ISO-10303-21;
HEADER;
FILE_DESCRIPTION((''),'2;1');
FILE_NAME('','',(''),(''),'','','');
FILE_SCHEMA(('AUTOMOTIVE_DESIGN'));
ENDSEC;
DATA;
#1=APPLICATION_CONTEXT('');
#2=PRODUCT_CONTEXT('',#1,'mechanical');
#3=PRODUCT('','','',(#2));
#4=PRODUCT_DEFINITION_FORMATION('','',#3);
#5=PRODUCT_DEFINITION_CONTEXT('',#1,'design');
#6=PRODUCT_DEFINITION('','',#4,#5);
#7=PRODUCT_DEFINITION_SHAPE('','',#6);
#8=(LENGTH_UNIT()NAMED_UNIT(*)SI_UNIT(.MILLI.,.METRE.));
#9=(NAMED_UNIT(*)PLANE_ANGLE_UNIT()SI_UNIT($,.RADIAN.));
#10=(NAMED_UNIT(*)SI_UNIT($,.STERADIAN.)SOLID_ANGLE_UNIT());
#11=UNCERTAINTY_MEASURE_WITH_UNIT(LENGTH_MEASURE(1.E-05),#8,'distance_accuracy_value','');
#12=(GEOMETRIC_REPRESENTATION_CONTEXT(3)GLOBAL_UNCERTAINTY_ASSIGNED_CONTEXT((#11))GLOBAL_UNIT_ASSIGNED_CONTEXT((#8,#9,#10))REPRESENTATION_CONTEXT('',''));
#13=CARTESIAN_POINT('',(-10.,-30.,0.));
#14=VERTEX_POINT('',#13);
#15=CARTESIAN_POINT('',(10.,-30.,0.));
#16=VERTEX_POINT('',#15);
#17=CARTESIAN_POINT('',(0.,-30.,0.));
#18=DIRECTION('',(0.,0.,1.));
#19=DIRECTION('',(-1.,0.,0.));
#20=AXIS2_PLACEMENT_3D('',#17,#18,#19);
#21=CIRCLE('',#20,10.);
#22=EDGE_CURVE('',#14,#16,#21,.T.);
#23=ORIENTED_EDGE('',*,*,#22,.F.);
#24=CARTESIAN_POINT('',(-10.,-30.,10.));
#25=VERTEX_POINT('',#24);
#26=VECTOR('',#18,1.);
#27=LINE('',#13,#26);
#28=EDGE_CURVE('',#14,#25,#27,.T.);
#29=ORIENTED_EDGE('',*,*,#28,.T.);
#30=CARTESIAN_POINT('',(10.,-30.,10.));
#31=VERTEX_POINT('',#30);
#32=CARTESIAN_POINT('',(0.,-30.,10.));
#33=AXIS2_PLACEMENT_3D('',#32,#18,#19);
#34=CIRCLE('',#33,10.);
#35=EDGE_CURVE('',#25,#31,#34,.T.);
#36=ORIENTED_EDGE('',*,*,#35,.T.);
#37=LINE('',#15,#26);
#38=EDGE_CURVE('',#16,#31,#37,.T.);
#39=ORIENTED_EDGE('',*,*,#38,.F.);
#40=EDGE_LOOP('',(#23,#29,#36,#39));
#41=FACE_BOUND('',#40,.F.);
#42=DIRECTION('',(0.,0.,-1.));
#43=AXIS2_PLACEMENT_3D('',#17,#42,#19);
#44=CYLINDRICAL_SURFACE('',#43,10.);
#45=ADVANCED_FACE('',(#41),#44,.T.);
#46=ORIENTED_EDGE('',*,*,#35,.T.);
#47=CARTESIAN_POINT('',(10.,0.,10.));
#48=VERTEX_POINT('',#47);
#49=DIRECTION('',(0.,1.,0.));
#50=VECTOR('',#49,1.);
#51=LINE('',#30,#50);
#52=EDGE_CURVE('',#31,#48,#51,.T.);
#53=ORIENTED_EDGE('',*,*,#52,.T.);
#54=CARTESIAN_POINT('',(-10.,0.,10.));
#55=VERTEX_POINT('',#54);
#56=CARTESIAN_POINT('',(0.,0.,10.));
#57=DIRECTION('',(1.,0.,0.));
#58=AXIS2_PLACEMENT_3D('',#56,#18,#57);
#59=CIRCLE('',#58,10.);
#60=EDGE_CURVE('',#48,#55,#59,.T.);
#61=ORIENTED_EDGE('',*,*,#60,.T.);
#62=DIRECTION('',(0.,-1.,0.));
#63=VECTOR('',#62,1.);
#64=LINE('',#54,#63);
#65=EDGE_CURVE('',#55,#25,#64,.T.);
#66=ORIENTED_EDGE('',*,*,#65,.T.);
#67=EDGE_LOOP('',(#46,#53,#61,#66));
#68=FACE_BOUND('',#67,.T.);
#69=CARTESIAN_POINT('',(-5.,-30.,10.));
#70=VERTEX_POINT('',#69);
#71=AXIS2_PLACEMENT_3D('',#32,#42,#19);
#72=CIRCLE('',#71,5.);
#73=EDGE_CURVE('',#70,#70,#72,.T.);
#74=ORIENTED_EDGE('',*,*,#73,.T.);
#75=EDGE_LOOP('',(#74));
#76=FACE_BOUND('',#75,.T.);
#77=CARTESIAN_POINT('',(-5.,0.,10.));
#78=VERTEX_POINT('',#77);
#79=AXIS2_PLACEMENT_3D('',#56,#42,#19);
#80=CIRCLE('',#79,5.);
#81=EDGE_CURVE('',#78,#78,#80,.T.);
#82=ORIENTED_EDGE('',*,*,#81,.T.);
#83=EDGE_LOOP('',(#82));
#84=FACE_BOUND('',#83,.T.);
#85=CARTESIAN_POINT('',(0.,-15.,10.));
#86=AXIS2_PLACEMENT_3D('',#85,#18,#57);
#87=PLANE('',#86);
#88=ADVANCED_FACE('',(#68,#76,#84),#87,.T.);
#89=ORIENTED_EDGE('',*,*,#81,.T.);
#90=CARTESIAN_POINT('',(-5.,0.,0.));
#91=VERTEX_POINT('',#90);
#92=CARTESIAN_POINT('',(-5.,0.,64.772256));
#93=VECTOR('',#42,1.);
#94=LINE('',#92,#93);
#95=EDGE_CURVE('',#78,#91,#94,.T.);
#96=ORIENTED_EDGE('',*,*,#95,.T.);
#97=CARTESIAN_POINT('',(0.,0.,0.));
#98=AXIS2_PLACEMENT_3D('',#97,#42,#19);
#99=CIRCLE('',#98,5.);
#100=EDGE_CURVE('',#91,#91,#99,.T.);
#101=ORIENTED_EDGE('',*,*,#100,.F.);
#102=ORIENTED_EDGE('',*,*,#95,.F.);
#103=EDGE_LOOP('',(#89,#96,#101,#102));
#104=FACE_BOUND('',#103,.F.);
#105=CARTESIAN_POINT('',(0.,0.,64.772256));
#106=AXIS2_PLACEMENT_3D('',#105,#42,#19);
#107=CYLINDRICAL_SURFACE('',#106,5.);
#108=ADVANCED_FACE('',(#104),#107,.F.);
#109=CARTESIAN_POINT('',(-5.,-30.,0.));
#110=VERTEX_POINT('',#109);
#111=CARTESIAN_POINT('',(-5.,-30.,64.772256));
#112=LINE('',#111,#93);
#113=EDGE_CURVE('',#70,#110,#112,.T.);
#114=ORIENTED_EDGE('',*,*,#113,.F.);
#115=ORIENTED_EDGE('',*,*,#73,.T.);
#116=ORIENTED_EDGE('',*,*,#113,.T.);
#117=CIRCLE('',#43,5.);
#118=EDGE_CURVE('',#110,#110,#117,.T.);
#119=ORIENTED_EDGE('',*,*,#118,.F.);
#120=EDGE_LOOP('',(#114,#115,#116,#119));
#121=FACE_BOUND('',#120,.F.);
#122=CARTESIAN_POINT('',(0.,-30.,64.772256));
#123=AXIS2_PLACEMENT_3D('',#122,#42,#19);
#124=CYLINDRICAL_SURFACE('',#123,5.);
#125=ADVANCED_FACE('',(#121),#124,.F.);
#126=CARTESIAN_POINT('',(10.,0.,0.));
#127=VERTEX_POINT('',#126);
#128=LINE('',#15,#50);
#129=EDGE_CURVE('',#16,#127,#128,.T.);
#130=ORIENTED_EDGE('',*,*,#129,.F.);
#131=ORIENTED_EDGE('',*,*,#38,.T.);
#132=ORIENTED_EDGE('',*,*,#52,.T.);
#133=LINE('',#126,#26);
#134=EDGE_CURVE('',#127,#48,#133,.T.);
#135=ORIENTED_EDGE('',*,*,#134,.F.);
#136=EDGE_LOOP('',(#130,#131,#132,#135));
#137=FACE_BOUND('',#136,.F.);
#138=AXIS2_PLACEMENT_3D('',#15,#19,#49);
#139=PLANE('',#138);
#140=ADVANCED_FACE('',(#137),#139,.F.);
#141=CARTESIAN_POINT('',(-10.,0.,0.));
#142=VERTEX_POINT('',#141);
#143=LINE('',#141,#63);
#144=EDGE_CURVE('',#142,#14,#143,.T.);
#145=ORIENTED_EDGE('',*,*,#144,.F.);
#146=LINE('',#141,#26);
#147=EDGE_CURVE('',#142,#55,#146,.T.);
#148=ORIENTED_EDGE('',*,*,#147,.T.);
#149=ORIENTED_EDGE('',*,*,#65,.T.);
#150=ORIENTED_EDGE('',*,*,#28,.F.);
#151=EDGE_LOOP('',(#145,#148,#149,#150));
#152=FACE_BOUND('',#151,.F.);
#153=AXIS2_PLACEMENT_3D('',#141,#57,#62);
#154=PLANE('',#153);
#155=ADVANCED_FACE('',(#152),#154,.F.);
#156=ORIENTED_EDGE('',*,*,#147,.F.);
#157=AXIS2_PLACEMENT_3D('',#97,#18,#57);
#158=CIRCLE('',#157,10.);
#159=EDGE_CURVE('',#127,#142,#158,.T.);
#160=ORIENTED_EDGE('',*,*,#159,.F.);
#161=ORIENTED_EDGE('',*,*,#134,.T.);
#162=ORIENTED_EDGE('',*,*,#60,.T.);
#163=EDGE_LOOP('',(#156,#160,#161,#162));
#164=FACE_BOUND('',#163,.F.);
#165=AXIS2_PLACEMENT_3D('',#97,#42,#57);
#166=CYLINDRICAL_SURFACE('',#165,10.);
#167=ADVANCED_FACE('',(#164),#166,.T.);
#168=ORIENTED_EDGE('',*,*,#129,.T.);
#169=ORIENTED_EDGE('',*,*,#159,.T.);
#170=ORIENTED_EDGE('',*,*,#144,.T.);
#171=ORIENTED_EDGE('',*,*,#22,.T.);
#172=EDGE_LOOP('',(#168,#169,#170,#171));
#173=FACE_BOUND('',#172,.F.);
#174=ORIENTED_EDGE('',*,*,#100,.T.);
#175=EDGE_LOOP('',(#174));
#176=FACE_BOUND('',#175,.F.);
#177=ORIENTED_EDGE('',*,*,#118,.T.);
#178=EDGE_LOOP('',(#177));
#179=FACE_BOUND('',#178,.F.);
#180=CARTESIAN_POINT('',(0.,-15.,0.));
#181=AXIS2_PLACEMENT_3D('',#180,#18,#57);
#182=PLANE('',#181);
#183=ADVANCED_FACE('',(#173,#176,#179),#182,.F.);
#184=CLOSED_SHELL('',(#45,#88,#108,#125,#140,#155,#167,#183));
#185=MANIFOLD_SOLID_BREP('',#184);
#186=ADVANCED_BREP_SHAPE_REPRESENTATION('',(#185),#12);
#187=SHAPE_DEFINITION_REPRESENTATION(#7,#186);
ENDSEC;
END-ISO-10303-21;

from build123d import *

# Parameters (mm, degrees)
F1_DEPTH = 10
F3_D     = 10


with BuildPart() as f1:
    # F0 (on Top) → F1 (new body)
    with BuildSketch(Plane.XY):
        with BuildLine():
            Line((10, -30), (10, 0))
            ThreePointArc((10, 0), (0, 10), (-10, 0))
            Line((-10, 0), (-10, -30))
            ThreePointArc((-10, -30), (0, -40), (10, -30))
        make_face()
    extrude(amount=F1_DEPTH)

    # F3 (through all)
    with Locations(Plane.XY.offset(10)):
        with Locations((0, 0), (0, -30)):
            Hole(F3_D / 2)


solid = f1.part
